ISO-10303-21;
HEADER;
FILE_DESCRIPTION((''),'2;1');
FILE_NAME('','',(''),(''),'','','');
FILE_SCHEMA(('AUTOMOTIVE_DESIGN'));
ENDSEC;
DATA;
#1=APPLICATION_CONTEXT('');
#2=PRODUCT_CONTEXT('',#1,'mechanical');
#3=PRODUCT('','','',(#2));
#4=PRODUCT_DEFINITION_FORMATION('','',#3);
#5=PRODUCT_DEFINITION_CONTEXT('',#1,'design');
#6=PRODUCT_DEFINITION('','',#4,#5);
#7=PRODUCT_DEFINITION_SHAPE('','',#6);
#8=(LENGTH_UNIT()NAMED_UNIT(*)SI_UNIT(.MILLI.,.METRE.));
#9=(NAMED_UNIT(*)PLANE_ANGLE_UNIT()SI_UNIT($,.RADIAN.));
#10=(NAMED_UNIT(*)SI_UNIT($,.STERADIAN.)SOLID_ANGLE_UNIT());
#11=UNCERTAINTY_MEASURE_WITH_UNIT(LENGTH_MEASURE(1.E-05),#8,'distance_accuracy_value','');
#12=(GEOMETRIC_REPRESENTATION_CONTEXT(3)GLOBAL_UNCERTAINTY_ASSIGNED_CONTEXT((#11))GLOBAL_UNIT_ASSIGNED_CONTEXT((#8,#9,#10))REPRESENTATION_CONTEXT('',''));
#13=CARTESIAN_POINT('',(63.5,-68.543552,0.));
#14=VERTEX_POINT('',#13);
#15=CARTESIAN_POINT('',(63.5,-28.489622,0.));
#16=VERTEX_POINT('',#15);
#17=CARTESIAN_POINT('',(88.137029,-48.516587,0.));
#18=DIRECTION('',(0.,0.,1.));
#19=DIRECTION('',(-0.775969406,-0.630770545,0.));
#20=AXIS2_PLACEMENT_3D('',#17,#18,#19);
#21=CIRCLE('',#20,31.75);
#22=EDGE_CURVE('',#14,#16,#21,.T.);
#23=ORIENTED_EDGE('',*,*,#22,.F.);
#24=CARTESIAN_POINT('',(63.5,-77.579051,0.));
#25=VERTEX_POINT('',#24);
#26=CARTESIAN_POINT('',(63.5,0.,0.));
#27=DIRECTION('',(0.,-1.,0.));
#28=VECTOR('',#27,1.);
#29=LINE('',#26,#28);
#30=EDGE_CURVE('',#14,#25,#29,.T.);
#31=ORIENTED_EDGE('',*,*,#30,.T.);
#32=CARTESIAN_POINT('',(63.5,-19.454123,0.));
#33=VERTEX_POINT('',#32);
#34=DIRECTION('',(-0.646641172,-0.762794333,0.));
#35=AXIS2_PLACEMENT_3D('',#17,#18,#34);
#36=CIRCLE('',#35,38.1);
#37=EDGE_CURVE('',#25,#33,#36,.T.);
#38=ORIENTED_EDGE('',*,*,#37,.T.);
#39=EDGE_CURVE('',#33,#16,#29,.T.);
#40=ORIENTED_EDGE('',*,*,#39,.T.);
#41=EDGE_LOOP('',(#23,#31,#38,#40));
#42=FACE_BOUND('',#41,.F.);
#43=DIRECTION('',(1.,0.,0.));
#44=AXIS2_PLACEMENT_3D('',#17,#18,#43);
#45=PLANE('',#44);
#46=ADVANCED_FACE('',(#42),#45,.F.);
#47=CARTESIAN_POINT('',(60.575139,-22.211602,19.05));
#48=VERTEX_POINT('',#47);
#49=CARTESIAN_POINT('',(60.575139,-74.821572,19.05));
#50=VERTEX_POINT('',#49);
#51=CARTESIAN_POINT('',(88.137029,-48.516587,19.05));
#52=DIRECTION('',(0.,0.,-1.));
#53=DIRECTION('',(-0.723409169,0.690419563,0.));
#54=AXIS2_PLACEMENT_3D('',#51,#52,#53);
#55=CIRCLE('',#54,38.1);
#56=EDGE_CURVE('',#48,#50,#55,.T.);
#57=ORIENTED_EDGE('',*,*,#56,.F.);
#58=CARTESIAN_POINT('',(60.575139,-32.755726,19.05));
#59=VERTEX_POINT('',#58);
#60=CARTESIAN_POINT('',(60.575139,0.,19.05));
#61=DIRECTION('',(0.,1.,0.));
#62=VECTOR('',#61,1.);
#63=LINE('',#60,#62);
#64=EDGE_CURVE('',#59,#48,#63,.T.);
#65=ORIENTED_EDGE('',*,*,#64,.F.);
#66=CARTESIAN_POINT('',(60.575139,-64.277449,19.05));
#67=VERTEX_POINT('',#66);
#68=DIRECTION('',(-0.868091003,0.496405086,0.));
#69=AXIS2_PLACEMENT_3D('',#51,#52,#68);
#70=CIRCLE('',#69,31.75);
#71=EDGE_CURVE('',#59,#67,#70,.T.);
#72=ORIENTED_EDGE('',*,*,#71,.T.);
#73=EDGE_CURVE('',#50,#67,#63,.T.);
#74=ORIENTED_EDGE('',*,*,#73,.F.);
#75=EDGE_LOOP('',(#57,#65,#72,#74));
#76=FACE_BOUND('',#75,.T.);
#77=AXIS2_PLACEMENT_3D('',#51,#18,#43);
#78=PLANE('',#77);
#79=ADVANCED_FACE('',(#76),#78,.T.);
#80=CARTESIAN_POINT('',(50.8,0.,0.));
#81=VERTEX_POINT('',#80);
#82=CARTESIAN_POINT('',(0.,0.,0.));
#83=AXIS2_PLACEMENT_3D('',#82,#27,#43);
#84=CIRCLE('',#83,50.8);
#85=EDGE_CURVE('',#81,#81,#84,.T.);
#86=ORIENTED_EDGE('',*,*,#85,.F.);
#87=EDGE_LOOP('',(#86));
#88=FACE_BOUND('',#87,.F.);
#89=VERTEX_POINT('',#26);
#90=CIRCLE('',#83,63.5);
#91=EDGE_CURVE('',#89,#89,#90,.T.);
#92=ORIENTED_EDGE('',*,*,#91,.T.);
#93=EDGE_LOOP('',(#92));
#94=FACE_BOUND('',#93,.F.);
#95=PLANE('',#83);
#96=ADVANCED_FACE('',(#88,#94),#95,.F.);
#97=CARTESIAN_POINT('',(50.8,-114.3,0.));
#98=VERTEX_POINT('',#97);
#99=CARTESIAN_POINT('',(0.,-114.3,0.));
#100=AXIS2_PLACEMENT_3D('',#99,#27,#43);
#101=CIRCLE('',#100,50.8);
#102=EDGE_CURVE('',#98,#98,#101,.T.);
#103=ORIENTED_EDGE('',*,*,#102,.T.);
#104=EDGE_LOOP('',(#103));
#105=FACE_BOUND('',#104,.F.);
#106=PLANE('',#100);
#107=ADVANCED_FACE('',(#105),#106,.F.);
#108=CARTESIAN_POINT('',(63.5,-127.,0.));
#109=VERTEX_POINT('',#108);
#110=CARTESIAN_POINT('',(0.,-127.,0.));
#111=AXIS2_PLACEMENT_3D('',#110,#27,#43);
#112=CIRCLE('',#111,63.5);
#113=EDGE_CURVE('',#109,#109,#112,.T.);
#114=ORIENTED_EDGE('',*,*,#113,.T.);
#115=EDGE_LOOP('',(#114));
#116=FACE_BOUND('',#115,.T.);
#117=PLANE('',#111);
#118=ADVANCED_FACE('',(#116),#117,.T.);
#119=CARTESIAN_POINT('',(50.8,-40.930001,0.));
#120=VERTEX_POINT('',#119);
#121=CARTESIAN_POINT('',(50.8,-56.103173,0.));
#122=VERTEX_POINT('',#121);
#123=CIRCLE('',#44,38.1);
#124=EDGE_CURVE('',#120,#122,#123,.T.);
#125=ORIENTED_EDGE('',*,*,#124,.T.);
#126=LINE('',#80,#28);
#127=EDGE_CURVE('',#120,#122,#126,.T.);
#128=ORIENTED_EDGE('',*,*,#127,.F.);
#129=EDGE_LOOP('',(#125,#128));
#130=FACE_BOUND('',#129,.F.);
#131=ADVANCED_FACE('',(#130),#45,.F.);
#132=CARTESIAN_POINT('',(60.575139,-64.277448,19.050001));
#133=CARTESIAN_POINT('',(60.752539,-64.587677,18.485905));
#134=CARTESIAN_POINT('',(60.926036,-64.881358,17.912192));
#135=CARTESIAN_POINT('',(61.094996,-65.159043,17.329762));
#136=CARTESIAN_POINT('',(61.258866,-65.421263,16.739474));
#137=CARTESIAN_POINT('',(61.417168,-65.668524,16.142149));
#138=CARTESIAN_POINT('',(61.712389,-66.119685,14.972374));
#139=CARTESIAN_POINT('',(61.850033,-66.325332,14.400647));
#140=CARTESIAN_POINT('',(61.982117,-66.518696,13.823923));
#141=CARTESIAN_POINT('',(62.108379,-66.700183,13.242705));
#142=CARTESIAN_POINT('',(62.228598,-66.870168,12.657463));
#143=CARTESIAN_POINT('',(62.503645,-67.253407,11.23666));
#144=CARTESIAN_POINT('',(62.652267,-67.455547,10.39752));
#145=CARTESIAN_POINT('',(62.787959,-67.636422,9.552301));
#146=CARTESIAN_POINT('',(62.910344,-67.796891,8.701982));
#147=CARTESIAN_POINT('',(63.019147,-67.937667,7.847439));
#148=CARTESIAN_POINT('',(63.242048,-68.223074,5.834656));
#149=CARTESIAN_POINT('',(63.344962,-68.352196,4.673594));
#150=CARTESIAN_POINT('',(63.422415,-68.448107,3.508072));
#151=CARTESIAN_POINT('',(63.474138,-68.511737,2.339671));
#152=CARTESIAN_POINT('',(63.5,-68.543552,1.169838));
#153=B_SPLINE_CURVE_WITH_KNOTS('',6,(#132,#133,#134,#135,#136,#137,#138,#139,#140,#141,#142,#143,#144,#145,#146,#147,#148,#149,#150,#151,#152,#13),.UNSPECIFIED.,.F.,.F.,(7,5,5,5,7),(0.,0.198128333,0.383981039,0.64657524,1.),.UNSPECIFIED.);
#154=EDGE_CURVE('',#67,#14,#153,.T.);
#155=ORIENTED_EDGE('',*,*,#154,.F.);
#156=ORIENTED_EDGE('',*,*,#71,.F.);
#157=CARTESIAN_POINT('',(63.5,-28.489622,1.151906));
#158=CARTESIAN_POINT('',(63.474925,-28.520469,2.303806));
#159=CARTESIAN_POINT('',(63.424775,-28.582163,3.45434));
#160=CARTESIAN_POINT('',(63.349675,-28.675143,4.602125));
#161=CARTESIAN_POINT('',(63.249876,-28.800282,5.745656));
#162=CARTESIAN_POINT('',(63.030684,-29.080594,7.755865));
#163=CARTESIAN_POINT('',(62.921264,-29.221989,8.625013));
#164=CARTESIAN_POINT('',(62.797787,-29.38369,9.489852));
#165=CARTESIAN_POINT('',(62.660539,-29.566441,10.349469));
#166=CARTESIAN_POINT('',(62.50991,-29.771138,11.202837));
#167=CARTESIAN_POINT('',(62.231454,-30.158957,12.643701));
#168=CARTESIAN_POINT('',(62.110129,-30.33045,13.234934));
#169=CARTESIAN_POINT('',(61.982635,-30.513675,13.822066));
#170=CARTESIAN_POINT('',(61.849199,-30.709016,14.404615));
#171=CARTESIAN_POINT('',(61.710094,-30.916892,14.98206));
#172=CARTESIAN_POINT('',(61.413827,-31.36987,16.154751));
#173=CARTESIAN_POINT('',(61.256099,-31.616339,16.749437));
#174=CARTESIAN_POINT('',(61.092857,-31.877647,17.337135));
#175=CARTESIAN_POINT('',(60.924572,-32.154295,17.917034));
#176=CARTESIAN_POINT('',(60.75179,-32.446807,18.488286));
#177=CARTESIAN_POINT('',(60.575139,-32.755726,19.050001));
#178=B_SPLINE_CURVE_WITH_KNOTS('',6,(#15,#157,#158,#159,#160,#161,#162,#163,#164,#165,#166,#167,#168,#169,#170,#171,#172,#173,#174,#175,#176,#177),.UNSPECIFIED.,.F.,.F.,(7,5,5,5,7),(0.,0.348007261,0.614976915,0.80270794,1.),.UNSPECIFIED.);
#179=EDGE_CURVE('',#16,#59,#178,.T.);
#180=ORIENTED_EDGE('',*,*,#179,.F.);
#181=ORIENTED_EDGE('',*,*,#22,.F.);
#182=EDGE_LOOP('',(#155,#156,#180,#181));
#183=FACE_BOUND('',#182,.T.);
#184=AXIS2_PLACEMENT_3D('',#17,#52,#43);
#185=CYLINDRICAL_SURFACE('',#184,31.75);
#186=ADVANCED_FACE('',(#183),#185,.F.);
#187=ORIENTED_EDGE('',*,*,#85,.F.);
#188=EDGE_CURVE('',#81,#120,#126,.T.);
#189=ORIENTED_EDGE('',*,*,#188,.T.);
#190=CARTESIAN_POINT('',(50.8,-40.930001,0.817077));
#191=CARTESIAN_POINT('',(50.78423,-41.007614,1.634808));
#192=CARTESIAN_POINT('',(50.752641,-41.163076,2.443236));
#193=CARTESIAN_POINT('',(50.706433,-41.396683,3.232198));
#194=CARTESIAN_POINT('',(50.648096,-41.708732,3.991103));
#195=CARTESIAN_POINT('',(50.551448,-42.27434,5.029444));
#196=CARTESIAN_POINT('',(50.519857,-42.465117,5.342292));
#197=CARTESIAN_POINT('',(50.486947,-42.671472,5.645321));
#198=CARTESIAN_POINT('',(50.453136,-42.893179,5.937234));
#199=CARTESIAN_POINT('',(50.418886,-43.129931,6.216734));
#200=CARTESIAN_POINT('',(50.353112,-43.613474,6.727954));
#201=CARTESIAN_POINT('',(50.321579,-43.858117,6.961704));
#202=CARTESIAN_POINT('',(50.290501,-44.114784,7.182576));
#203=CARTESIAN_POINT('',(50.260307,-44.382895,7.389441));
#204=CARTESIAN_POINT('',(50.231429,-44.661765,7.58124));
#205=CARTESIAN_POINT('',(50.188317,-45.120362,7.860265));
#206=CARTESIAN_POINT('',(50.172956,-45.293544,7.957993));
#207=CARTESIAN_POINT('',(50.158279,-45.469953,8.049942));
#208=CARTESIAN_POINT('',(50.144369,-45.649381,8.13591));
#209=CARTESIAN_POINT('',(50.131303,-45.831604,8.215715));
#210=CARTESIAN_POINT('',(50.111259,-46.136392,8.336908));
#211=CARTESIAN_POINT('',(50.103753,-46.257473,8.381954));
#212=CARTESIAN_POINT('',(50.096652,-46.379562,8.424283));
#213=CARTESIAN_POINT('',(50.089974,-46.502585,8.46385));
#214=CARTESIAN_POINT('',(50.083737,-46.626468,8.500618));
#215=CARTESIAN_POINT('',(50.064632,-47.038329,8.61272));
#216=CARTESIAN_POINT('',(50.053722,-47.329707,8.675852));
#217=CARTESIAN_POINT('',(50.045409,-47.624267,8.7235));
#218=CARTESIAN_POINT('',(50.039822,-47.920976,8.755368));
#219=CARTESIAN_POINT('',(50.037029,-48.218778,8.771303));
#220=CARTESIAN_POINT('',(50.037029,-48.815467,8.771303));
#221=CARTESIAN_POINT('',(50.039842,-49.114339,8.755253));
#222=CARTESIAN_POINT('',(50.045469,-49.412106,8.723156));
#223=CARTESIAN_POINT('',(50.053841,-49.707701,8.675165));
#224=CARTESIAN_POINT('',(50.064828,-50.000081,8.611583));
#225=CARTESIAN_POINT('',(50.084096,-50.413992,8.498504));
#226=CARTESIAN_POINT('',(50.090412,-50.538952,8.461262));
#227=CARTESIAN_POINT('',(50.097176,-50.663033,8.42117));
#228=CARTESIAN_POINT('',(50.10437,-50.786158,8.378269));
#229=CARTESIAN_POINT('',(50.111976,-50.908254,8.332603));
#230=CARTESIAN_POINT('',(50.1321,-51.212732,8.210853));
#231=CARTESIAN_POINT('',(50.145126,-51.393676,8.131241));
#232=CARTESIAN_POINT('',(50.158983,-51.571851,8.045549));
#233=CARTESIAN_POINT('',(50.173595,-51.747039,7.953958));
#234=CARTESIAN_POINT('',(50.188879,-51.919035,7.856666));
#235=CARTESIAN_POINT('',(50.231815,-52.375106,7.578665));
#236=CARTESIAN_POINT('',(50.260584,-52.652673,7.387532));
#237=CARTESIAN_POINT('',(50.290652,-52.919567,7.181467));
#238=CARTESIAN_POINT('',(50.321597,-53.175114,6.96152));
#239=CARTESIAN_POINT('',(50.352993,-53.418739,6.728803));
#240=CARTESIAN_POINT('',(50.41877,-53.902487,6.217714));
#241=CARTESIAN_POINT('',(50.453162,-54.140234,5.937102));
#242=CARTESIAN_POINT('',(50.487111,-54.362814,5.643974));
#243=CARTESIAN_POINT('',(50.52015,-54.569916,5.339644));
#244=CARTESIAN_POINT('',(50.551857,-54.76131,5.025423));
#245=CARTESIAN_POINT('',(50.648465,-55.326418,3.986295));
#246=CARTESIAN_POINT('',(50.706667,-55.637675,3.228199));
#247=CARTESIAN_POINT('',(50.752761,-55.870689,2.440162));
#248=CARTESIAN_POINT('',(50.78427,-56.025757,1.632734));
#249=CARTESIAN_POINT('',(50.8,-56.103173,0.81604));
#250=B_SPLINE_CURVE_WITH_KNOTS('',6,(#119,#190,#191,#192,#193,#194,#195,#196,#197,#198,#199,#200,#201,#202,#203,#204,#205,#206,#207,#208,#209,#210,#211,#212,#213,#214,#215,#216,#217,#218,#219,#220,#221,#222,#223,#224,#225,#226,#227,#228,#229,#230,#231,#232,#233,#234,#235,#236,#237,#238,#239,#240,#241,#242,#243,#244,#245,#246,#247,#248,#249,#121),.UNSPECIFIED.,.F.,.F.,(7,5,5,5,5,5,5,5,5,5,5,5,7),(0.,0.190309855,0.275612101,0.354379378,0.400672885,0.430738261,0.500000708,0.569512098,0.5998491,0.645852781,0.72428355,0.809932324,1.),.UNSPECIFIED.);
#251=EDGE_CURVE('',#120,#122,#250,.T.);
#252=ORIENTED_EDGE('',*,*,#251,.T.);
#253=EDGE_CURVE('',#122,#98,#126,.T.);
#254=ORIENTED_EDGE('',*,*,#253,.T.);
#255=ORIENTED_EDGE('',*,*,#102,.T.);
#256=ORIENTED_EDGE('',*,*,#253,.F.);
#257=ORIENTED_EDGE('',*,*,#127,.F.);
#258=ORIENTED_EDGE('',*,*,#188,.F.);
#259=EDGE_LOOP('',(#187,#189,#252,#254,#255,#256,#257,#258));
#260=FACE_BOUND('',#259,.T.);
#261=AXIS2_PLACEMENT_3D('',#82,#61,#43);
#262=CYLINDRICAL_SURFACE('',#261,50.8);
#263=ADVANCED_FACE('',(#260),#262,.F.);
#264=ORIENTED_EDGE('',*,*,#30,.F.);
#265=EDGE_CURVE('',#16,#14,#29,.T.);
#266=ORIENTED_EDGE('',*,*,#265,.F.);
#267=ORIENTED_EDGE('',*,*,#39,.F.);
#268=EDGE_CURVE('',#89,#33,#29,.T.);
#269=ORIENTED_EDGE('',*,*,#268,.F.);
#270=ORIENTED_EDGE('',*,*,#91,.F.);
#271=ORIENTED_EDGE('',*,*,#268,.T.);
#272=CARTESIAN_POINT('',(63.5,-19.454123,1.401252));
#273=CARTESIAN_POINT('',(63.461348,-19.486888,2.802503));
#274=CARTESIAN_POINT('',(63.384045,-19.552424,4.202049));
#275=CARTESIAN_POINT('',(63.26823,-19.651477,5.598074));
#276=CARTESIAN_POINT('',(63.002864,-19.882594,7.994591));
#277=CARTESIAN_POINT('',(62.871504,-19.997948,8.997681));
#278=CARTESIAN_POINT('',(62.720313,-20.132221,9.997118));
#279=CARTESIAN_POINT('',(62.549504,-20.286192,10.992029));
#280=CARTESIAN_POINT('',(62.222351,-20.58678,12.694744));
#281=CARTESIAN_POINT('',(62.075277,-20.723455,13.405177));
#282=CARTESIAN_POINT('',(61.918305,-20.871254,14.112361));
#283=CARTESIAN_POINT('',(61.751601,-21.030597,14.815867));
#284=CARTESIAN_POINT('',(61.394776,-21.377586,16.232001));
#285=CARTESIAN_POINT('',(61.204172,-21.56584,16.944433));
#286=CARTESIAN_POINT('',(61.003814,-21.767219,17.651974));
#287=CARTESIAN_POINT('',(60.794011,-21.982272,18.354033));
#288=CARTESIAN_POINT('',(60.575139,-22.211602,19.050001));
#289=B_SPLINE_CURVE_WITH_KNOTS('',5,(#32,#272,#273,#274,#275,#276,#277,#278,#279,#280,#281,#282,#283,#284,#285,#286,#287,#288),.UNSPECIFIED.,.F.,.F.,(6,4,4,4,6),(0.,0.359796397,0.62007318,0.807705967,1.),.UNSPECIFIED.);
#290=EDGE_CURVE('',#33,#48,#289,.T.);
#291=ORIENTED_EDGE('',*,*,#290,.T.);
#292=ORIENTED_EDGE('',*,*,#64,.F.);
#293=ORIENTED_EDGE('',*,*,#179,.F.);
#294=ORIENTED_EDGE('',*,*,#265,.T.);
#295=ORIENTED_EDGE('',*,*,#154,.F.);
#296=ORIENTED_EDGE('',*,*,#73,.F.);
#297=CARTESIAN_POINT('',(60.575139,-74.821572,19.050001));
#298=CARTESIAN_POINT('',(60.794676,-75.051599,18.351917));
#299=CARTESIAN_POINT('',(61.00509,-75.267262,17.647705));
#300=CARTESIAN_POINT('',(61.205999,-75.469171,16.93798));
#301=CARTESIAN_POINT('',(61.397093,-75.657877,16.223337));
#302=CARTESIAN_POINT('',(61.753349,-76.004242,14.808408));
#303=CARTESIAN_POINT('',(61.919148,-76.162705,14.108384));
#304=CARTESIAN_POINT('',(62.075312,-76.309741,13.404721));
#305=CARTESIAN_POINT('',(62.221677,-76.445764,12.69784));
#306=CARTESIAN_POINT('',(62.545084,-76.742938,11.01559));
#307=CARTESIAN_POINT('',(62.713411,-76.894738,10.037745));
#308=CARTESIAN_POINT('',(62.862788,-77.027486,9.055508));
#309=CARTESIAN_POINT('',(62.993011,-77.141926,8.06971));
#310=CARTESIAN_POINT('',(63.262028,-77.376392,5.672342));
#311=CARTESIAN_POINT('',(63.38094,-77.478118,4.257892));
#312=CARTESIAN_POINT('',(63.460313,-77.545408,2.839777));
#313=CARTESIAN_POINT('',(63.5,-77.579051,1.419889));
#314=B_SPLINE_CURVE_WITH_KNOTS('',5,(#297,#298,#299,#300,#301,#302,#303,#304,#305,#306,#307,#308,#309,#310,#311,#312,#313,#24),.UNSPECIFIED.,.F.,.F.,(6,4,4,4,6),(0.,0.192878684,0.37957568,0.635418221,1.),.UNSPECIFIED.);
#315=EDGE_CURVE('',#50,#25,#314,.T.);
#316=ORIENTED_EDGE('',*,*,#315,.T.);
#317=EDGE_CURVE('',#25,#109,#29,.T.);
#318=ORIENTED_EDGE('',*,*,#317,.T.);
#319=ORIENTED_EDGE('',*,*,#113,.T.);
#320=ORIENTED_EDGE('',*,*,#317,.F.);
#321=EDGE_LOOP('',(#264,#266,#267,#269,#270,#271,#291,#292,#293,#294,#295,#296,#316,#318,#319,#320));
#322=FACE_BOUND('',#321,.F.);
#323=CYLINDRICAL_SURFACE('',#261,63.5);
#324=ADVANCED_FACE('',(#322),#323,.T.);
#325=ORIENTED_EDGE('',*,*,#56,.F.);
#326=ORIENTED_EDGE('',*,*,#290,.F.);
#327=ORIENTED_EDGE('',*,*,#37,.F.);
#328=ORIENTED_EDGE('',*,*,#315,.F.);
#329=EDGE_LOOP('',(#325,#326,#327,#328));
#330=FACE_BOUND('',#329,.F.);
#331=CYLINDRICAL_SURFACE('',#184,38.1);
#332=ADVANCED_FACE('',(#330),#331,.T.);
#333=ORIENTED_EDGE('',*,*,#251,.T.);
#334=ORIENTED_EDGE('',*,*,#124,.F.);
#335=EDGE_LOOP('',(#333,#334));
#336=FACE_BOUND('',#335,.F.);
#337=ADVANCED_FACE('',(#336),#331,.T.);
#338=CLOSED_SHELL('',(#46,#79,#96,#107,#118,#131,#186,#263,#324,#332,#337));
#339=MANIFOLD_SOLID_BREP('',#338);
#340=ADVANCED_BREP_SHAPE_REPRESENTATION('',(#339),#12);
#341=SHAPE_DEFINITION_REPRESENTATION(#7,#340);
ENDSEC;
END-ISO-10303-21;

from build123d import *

# Parameters (mm, degrees)
F0_R     = 63.5
F1_DEPTH = 127
F2_R     = 50.8
F3_DEPTH = 114.3
F6_R     = 38.1
F6_R_2   = 31.75
F7_DEPTH = 19.05


with BuildPart() as f1:
    # F0 (on Front) → F1 (new body)
    with BuildSketch(Plane.XZ):
        Circle(F0_R)
    extrude(amount=F1_DEPTH)

    # F2 (on Front) → F3 (cut)
    with BuildSketch(Plane.XZ):
        Circle(F2_R)
    extrude(amount=F3_DEPTH, mode=Mode.SUBTRACT)

    # F6 (on Top) → F7 (join)
    with BuildSketch(Plane.XY):
        with Locations((88.1370286467, -48.5165871287)):
            Circle(F6_R)
        with Locations((88.1370286467, -48.5165871287)):
            Circle(F6_R_2, mode=Mode.SUBTRACT)
    extrude(amount=F7_DEPTH)


solid = f1.part
